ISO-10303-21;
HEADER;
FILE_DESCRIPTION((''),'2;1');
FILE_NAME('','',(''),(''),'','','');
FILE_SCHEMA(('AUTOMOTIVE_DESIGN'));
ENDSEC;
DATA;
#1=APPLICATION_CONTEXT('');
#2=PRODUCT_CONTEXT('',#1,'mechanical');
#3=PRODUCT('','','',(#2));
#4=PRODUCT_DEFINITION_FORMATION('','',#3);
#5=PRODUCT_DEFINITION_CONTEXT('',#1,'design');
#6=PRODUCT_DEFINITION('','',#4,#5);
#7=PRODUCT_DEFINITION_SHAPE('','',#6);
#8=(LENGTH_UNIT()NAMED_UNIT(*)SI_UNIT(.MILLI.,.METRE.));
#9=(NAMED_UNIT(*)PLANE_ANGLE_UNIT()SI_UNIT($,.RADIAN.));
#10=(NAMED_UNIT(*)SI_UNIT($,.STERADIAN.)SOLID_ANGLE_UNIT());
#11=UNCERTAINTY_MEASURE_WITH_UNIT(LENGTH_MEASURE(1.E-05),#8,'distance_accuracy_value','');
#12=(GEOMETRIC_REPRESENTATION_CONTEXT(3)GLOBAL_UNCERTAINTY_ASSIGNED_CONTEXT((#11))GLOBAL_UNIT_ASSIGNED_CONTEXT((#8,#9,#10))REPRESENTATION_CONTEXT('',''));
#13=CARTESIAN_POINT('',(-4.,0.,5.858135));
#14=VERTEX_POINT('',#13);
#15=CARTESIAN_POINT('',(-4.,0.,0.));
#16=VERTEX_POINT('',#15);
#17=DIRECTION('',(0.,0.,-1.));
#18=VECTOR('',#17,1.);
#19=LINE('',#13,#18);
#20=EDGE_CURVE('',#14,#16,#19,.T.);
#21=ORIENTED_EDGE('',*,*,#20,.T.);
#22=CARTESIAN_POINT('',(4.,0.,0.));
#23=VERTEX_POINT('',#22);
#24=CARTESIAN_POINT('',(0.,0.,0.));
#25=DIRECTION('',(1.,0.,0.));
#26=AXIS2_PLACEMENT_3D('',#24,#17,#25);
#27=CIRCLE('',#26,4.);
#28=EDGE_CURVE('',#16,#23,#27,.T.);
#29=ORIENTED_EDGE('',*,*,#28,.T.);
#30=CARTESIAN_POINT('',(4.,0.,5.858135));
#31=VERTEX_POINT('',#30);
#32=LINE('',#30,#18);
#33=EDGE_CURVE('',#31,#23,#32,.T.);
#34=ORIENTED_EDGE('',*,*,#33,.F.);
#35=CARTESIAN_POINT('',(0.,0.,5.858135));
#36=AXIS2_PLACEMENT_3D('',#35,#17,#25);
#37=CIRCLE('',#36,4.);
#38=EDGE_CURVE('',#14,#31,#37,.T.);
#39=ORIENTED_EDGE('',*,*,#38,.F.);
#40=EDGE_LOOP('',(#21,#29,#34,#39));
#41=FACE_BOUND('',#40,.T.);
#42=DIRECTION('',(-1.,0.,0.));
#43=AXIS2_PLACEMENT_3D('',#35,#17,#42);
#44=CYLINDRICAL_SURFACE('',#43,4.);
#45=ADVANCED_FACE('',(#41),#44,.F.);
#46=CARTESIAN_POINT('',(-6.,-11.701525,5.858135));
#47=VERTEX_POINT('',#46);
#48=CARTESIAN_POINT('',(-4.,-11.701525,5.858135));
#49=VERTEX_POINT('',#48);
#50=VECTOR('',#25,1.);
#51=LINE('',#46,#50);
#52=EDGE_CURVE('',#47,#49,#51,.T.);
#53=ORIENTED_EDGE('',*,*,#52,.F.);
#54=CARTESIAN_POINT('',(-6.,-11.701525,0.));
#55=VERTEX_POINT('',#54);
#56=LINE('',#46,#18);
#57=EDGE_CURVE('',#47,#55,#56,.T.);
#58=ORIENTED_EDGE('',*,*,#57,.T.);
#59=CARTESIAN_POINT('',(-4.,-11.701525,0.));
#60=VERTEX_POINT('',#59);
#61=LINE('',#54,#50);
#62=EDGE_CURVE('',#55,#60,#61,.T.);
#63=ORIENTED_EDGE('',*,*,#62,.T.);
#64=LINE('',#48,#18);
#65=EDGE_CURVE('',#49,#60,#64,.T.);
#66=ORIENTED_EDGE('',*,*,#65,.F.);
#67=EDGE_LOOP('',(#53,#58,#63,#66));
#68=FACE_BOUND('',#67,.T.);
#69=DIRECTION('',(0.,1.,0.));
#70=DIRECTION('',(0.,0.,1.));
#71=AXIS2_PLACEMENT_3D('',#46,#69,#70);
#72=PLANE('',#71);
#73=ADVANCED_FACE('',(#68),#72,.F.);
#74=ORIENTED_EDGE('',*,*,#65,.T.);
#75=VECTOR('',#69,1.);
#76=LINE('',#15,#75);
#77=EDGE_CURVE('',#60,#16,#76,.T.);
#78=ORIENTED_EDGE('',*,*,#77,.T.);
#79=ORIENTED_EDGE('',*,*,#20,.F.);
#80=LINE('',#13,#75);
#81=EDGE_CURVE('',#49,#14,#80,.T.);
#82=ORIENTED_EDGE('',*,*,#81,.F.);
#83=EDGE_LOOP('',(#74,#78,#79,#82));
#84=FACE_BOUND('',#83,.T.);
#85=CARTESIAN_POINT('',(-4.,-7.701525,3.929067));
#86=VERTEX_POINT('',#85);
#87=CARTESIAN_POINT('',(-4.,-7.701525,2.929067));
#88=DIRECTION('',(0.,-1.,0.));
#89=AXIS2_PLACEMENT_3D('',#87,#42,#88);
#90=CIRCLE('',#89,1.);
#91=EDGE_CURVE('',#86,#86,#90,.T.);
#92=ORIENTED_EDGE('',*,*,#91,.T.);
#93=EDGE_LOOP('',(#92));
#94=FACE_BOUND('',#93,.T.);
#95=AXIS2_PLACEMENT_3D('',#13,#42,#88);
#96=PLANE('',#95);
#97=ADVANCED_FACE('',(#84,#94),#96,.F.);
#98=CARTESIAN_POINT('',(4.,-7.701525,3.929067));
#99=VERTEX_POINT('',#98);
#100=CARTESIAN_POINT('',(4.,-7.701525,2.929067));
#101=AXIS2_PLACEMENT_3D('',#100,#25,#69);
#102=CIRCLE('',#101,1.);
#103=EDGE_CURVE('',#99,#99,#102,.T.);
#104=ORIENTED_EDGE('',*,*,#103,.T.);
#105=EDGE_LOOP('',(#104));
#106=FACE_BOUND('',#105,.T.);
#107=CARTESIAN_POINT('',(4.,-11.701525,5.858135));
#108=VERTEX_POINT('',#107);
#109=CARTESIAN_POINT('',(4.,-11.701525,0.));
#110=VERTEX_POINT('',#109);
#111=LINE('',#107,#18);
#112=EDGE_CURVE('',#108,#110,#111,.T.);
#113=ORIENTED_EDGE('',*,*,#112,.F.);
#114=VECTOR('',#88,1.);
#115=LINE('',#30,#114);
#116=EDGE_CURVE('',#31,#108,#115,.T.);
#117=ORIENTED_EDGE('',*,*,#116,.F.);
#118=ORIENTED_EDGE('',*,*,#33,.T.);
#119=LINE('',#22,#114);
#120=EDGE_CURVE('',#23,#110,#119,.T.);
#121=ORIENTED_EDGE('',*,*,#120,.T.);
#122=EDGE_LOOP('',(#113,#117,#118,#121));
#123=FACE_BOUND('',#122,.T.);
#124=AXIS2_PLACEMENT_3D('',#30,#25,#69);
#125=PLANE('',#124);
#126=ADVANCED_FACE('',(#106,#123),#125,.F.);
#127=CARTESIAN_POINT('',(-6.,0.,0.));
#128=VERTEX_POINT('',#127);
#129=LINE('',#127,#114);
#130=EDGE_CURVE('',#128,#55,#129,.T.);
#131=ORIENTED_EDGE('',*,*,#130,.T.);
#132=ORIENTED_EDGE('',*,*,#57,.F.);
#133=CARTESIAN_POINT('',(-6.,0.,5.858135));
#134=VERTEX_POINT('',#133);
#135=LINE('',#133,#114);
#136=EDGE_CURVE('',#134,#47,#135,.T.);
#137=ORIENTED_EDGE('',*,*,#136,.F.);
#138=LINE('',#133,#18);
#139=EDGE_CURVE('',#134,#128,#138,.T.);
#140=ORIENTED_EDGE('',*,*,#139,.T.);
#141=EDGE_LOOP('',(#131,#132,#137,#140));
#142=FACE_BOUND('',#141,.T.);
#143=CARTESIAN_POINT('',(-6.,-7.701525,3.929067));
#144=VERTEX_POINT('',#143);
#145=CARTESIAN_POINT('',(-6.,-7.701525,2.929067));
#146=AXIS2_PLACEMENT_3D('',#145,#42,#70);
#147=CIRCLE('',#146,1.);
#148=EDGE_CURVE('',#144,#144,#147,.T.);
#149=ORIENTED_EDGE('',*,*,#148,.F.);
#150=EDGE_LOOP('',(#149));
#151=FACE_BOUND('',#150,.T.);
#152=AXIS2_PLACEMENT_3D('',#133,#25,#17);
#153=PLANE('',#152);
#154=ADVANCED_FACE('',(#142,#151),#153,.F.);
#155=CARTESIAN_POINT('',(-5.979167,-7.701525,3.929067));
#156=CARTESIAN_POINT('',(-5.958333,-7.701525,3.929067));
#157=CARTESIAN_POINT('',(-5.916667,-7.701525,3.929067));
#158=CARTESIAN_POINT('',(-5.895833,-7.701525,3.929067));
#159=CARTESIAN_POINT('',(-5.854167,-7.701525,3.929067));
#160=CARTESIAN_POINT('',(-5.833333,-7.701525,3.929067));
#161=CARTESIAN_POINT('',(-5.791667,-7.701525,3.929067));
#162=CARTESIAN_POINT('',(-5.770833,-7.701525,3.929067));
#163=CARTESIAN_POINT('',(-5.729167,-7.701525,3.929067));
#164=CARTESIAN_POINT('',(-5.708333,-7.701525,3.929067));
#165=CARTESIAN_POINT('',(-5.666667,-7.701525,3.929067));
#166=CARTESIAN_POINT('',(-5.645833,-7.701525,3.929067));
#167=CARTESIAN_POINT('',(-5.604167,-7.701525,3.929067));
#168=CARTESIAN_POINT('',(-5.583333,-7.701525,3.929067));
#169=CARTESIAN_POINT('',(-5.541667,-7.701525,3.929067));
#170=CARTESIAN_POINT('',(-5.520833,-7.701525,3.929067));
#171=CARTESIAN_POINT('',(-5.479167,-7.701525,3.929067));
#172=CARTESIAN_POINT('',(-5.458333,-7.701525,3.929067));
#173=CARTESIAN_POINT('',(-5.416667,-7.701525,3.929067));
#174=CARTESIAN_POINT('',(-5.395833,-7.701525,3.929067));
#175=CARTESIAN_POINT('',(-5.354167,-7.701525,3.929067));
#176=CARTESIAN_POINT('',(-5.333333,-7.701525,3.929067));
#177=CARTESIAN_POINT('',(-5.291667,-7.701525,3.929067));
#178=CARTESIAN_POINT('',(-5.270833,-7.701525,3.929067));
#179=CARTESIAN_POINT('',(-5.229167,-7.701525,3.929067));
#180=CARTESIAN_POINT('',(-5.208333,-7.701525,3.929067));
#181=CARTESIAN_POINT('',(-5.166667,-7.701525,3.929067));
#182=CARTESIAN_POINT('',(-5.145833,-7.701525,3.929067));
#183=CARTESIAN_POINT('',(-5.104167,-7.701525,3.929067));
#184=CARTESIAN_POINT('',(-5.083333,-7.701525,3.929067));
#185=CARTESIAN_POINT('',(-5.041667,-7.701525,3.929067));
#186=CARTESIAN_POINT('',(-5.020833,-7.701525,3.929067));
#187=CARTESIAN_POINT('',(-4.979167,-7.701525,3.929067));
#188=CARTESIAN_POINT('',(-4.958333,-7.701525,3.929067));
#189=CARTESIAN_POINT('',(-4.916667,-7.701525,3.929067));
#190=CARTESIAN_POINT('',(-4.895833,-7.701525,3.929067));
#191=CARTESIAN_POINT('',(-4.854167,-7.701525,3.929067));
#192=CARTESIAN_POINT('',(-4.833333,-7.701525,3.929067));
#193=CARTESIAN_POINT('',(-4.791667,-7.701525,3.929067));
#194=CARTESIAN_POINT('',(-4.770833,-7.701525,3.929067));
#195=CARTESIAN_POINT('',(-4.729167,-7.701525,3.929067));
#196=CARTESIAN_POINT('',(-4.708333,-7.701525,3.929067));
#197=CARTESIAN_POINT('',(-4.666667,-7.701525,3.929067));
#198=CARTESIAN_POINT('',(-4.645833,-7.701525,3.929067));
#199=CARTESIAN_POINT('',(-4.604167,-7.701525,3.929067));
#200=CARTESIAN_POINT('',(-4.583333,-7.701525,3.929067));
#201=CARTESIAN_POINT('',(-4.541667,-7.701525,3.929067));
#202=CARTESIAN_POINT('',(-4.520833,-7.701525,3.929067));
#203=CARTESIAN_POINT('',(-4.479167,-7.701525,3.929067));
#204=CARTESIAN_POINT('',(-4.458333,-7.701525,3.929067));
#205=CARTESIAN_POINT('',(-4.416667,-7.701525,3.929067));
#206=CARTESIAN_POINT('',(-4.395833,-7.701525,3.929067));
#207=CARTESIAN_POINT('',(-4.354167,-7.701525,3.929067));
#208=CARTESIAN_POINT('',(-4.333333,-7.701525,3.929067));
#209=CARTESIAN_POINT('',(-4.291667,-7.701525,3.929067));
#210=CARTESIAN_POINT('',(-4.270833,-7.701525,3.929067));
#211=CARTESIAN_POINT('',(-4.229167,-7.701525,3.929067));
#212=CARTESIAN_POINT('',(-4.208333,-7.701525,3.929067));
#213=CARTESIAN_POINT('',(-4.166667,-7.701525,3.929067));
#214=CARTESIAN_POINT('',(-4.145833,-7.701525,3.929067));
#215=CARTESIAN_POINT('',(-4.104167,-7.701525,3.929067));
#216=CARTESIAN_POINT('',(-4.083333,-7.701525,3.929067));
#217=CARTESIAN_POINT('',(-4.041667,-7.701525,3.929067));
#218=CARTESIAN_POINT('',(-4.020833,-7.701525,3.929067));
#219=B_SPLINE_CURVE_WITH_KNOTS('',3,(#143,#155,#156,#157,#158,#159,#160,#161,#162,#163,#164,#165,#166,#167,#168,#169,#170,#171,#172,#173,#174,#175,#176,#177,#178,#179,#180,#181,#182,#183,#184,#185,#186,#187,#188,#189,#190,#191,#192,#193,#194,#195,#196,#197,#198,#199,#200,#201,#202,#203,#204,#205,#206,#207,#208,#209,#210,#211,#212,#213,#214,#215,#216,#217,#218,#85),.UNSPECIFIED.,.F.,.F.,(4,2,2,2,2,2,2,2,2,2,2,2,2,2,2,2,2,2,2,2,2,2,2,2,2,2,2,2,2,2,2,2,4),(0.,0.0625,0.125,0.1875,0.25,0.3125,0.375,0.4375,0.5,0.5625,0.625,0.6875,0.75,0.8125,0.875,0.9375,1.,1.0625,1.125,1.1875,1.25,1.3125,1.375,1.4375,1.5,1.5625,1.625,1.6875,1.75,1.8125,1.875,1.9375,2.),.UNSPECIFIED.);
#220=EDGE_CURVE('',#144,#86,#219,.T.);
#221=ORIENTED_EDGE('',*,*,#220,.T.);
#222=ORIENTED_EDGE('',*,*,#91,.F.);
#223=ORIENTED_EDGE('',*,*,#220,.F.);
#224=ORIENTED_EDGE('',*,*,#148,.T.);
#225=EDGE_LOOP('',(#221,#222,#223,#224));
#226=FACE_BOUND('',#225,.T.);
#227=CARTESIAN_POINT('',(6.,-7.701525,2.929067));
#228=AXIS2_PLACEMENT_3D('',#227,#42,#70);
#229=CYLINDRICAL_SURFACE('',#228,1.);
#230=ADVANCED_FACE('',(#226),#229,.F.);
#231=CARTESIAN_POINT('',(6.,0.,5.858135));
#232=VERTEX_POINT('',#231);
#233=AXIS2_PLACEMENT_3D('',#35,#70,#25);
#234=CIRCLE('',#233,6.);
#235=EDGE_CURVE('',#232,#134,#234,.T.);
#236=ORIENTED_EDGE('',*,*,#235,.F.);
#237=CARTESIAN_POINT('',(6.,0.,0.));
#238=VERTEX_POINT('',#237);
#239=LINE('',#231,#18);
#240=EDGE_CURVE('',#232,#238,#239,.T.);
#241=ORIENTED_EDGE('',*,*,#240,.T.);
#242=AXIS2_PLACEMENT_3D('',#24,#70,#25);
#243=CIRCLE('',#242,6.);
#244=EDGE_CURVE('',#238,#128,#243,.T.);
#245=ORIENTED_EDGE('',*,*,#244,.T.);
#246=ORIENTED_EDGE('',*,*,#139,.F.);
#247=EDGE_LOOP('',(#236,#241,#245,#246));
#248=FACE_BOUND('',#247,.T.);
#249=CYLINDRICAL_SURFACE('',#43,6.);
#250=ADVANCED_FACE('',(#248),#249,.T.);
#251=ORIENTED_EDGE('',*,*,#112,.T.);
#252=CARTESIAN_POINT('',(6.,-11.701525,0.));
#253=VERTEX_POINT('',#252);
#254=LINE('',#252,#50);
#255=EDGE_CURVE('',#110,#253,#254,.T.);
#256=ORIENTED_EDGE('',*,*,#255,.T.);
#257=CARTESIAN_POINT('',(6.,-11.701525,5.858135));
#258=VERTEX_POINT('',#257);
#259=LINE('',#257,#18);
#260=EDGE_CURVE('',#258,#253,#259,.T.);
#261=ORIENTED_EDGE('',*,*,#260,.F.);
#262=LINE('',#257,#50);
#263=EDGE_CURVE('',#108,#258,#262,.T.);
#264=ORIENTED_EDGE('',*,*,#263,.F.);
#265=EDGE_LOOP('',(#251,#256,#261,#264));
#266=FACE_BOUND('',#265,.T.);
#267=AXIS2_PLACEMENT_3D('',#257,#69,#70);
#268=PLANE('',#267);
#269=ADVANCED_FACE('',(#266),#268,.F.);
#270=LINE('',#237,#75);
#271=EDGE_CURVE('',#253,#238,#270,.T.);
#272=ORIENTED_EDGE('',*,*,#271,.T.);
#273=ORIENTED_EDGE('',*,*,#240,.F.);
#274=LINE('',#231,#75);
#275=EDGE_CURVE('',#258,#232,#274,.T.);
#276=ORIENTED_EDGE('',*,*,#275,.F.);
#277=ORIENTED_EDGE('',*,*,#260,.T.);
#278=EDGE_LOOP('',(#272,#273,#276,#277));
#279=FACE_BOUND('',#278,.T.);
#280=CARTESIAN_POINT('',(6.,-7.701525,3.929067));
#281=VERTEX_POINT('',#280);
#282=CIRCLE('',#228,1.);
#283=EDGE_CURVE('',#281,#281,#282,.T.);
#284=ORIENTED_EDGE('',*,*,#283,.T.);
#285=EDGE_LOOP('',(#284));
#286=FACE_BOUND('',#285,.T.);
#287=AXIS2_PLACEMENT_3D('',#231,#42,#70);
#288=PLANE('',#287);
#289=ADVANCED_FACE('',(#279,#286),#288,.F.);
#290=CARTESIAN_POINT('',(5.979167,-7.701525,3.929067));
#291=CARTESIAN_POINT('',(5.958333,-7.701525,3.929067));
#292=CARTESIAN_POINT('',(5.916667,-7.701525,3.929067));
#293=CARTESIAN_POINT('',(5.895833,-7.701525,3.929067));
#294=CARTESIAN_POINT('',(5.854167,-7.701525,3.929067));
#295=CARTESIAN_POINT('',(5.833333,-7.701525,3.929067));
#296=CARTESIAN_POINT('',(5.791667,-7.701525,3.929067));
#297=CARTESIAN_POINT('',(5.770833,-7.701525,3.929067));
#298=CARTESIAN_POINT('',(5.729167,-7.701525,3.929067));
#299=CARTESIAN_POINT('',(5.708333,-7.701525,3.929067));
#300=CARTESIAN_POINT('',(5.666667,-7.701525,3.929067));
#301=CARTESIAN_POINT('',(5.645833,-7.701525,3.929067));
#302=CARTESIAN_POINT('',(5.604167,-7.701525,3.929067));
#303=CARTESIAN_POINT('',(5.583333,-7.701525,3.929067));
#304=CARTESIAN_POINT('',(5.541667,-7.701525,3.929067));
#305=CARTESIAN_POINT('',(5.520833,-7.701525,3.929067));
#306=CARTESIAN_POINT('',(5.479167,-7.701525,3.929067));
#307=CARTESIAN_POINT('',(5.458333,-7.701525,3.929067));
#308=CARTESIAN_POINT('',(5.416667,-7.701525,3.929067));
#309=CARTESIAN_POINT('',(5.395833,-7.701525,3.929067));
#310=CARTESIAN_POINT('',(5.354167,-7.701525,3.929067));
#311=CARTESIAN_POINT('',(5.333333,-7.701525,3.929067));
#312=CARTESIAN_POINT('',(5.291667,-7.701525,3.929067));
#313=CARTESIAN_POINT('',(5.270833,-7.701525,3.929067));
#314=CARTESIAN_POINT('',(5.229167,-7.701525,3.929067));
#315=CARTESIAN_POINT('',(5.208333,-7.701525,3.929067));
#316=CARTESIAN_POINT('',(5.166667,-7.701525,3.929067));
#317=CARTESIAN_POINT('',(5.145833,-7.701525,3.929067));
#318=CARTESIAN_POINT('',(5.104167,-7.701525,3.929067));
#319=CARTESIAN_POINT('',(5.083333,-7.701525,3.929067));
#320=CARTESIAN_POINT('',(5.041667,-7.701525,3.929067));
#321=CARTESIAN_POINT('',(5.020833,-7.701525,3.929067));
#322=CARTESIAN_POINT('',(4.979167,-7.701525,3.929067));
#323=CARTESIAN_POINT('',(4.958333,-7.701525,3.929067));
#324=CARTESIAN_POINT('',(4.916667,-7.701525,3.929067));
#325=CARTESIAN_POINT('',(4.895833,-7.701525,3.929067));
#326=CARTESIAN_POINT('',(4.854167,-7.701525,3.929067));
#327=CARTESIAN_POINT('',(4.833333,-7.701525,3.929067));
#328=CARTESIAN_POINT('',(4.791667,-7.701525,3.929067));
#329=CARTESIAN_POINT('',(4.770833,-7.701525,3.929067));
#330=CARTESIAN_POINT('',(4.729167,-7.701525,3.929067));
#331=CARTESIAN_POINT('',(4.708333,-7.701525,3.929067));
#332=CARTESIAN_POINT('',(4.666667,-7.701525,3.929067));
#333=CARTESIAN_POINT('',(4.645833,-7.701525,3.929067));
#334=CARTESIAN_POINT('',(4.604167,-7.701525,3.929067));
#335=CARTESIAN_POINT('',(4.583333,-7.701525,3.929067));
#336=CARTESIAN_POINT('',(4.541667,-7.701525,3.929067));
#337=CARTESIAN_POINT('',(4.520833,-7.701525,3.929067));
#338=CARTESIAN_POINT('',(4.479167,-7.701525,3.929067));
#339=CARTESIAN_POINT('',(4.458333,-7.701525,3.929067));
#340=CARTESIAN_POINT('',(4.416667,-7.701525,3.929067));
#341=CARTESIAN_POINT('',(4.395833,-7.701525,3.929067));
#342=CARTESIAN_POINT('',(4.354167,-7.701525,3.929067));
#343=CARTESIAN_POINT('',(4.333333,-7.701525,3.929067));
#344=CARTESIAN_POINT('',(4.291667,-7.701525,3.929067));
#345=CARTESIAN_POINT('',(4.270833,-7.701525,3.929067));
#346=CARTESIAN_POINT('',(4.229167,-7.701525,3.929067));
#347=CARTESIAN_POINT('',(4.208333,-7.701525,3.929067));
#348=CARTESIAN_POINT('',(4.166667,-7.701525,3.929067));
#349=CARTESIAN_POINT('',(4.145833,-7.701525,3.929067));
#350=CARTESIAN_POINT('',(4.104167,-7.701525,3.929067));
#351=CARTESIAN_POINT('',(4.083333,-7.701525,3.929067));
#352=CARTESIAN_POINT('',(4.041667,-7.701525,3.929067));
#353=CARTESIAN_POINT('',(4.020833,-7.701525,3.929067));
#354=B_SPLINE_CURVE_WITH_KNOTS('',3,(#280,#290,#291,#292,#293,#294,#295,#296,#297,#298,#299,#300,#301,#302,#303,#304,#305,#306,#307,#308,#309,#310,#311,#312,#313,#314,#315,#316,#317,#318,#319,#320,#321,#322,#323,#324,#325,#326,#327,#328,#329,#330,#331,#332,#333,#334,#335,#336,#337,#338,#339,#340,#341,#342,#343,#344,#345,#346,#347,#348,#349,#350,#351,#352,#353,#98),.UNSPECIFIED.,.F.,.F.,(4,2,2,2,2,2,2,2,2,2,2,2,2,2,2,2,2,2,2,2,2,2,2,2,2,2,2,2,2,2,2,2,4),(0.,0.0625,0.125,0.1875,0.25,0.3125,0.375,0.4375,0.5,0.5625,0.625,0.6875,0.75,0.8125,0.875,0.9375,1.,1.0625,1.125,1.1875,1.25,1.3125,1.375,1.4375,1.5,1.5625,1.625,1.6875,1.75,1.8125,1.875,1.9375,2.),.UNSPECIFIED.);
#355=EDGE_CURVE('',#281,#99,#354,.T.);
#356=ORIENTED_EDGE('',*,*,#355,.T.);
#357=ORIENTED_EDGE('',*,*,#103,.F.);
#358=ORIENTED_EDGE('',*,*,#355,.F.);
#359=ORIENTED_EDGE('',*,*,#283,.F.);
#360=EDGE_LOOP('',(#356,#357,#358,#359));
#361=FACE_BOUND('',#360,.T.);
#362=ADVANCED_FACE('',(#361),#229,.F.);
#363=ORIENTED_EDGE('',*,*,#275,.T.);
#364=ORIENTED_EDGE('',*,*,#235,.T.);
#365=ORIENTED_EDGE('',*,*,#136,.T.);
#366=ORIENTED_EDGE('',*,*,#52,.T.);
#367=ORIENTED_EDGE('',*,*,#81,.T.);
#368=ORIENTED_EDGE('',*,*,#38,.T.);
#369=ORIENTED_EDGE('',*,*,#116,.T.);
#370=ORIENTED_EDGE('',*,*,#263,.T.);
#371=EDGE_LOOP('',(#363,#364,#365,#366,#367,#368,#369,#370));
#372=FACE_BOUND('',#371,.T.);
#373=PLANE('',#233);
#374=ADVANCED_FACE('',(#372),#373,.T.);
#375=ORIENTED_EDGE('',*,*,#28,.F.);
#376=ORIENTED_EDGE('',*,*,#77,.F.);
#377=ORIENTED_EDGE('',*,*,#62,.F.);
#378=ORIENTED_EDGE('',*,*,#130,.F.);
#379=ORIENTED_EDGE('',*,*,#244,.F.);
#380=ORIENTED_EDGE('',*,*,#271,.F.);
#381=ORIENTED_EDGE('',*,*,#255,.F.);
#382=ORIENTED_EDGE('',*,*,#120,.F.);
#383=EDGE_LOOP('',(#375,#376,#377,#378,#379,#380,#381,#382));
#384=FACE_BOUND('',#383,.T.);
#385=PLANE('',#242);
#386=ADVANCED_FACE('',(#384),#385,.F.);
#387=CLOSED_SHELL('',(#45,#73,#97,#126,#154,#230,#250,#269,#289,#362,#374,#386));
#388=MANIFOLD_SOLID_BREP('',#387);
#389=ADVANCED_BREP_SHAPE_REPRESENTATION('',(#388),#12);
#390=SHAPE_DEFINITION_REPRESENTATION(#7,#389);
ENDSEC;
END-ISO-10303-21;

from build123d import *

# Parameters (mm, degrees)
BOSS_EXTRUDE1_DEPTH = 5.85813493
SKETCH2_R           = 1
CUT_EXTRUDE1_DEPTH  = 18.755096263


with BuildPart() as part:
    # Sketch1 → Boss-Extrude1 (new body)
    with BuildSketch(Plane.XY):
        with BuildLine():
            Line((-4, 0), (-4, -11.701525476))
            Line((-4, -11.701525476), (-6, -11.701525476))
            Line((-6, -11.701525476), (-6, 0))
            ThreePointArc((-6, 0), (0, 6), (6, 0))
            Line((6, 0), (6, -11.701525476))
            Line((6, -11.701525476), (3.999999999, -11.701525476))
            Line((3.999999999, -11.701525476), (4, 0))
            ThreePointArc((4, 0), (0, 4), (-4, 0))
        make_face()
    extrude(amount=BOSS_EXTRUDE1_DEPTH)

    # Sketch2 → Cut-Extrude1 (cut, through all)
    with BuildSketch(Plane.ZY.offset(6)):
        with Locations((2.929067465, -7.701525476)):
            Circle(SKETCH2_R)
    extrude(amount=-CUT_EXTRUDE1_DEPTH, mode=Mode.SUBTRACT)


solid = part.part
